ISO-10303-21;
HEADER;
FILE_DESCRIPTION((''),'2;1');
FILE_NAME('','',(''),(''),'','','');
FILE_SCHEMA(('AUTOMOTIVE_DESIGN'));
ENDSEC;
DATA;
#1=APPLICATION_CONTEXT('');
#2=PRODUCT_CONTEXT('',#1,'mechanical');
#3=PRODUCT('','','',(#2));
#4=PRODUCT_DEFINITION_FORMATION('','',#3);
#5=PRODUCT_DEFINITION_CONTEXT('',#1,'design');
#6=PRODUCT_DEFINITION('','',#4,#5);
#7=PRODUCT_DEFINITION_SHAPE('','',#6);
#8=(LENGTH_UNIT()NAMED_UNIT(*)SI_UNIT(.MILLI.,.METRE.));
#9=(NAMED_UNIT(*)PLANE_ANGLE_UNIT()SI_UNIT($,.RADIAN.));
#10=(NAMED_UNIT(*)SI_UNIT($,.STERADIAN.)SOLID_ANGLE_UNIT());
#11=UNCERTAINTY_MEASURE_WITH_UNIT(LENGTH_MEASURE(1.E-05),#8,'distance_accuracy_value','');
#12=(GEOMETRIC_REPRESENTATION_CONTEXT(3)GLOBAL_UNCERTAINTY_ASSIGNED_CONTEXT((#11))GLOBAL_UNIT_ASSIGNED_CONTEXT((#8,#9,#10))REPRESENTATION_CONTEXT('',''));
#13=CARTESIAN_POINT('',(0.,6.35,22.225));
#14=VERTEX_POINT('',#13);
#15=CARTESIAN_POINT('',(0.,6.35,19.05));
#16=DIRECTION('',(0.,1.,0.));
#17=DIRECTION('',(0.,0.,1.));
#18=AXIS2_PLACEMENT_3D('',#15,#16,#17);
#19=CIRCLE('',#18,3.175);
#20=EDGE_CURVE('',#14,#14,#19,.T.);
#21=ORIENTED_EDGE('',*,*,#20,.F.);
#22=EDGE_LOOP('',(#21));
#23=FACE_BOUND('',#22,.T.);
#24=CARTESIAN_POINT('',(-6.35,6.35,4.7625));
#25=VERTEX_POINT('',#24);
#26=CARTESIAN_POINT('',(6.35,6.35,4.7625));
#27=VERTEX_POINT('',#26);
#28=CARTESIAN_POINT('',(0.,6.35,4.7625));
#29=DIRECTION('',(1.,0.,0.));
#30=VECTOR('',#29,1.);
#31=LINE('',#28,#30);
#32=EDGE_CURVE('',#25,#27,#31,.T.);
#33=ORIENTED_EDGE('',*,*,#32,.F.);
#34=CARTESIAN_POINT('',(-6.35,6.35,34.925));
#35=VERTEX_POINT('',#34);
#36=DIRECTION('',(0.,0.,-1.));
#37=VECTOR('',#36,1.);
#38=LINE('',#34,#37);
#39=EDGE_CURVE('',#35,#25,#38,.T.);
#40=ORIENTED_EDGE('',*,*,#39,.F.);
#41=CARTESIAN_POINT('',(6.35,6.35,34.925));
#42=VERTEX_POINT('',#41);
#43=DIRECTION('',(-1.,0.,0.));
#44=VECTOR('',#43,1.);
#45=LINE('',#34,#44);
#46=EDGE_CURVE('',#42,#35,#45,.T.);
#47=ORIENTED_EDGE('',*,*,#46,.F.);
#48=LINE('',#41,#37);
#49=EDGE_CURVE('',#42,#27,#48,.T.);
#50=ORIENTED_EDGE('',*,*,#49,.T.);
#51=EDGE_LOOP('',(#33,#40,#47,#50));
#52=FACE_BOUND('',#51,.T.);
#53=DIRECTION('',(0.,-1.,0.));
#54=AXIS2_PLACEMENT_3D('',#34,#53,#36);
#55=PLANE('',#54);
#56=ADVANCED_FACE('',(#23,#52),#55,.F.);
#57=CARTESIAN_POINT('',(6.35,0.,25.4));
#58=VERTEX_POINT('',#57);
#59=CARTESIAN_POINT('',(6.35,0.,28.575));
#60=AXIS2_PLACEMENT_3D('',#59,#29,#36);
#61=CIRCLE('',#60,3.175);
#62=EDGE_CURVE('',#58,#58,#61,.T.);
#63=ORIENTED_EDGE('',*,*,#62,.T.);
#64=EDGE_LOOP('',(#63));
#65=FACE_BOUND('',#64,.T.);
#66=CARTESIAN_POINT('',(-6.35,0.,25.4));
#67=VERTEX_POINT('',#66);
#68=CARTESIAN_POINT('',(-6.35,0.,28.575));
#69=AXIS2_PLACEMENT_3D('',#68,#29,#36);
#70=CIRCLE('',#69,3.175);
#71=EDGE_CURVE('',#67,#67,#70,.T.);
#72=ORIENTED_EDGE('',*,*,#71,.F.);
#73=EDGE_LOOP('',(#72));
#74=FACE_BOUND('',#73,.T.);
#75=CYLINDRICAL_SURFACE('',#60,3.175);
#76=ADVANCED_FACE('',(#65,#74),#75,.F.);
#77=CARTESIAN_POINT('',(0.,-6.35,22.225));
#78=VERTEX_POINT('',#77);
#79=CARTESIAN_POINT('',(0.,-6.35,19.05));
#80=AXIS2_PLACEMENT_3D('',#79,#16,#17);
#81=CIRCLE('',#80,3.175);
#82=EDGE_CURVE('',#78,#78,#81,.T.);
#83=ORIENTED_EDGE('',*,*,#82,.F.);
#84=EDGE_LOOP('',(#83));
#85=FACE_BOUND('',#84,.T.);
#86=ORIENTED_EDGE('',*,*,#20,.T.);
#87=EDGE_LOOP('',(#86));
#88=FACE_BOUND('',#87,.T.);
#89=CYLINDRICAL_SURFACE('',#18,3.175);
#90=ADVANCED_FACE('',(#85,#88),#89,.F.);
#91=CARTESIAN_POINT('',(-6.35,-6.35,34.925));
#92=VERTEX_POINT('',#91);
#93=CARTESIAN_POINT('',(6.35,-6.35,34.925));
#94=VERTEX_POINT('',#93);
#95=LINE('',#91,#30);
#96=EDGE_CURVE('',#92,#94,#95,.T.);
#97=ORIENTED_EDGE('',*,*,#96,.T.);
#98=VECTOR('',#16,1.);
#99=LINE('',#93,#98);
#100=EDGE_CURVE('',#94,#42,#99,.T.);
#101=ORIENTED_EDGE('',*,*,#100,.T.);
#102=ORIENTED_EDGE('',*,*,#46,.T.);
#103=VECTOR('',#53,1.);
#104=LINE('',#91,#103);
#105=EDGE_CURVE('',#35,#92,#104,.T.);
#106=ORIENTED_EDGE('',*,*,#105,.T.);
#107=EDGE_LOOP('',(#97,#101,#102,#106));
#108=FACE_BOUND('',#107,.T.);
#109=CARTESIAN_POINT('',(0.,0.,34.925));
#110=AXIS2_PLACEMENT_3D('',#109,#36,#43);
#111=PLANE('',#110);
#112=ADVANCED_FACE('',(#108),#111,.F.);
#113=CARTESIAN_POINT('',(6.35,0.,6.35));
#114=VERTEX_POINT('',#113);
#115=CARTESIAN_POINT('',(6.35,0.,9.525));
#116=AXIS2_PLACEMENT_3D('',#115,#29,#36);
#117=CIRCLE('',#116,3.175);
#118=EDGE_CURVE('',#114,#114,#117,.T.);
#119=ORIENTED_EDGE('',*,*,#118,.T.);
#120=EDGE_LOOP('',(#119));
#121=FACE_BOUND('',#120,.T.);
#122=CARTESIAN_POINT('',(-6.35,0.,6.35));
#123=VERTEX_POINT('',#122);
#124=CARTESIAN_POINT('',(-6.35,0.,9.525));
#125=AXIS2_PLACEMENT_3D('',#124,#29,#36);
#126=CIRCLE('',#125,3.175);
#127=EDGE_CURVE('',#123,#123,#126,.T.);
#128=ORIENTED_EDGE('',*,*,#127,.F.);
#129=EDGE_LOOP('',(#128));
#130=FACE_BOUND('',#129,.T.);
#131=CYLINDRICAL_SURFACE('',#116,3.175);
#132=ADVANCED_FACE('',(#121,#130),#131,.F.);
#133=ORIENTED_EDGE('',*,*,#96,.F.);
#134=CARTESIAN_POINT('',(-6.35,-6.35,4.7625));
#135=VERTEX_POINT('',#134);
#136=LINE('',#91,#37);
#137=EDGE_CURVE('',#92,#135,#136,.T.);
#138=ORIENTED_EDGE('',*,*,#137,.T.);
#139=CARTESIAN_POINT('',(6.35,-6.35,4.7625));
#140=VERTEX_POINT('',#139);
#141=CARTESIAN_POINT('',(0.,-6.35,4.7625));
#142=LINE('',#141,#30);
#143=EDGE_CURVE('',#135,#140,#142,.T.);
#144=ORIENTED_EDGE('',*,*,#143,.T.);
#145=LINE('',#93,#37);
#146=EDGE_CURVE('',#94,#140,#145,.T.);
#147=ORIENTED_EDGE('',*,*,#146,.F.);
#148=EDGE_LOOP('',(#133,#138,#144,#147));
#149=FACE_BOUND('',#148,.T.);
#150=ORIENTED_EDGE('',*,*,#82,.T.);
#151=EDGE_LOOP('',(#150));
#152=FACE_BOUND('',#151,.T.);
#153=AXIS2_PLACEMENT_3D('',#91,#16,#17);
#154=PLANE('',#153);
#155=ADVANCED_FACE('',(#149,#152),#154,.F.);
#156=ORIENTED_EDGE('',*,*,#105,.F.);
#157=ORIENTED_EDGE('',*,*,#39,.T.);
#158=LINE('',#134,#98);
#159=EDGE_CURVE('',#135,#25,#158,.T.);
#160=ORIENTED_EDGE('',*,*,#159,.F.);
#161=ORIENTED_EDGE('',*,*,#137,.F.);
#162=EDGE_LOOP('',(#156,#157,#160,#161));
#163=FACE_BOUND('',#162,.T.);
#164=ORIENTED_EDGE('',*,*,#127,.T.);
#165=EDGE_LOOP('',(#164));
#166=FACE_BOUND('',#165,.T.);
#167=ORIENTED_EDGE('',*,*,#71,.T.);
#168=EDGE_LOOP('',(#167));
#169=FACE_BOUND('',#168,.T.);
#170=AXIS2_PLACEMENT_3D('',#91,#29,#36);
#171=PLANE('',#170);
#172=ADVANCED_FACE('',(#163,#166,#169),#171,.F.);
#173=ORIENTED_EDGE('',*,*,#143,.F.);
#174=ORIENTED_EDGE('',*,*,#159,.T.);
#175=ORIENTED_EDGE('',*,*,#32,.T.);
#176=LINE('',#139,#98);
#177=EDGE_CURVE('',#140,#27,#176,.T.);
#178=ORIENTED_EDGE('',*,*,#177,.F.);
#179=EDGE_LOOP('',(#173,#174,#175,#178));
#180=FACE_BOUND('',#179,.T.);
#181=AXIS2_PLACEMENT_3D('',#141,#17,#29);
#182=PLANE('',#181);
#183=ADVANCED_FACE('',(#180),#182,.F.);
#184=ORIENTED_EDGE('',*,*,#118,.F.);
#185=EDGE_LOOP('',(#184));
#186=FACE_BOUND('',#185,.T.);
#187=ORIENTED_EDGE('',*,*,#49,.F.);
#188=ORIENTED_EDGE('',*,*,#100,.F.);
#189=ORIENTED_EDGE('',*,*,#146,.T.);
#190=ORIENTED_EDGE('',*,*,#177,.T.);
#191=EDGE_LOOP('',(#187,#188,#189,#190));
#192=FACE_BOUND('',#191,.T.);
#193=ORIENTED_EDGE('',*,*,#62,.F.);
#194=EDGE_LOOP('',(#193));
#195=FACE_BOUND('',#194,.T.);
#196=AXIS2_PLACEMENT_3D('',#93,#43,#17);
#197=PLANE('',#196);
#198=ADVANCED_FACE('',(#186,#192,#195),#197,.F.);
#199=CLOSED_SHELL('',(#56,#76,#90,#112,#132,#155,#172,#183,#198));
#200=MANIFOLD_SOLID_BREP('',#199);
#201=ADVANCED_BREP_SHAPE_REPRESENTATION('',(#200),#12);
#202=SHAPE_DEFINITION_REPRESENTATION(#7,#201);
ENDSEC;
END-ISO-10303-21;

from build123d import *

# Parameters (mm, degrees)
SKETCH1_W               = 12.7
SKETCH1_H               = 12.7
BOSS_EXTRUDE1_DEPTH     = 34.925
F_1_4_20_TAPPED_HOLE1_D = 6.35
F_1_4_20_TAPPED_HOLE2_D = 6.35
SKETCH6_W               = 12.7
SKETCH6_H               = 39.6875
SKETCH6_R               = 3.175
CUT_EXTRUDE1_DEPTH      = 13.7


with BuildPart() as part:
    # Sketch1 → Boss-Extrude1 (new body, symmetric)
    with BuildSketch(Plane.XY):
        Rectangle(SKETCH1_W, SKETCH1_H)
    extrude(amount=BOSS_EXTRUDE1_DEPTH, both=True)

    # 1/4-20 Tapped Hole1 (through all)
    with Locations(Plane(origin=(0, 6.35, 0), x_dir=(1, 0, 0), z_dir=(0, 1, 0))):
        with Locations((0, 0), (0, 19.05), (0, -19.05)):
            Hole(F_1_4_20_TAPPED_HOLE1_D / 2)

    # 1/4-20 Tapped Hole2 (through all)
    with Locations(Plane(origin=(6.35, 0, 0), x_dir=(0, 0, -1), z_dir=(1, 0, 0))):
        with Locations((9.525, 0), (28.575, 0), (-9.525, 0), (-28.575, 0)):
            Hole(F_1_4_20_TAPPED_HOLE2_D / 2)

    # Sketch6 → Cut-Extrude1 (cut, through all)
    with BuildSketch(Plane(origin=(0, 6.35, 0), x_dir=(1, 0, 0), z_dir=(0, 1, 0))):
        with Locations((0, 15.08125)):
            Rectangle(SKETCH6_W, SKETCH6_H)
        Circle(SKETCH6_R, mode=Mode.SUBTRACT)
        with Locations((0, 19.05)):
            Circle(SKETCH6_R, mode=Mode.SUBTRACT)
    extrude(amount=-CUT_EXTRUDE1_DEPTH, mode=Mode.SUBTRACT)


solid = part.part
